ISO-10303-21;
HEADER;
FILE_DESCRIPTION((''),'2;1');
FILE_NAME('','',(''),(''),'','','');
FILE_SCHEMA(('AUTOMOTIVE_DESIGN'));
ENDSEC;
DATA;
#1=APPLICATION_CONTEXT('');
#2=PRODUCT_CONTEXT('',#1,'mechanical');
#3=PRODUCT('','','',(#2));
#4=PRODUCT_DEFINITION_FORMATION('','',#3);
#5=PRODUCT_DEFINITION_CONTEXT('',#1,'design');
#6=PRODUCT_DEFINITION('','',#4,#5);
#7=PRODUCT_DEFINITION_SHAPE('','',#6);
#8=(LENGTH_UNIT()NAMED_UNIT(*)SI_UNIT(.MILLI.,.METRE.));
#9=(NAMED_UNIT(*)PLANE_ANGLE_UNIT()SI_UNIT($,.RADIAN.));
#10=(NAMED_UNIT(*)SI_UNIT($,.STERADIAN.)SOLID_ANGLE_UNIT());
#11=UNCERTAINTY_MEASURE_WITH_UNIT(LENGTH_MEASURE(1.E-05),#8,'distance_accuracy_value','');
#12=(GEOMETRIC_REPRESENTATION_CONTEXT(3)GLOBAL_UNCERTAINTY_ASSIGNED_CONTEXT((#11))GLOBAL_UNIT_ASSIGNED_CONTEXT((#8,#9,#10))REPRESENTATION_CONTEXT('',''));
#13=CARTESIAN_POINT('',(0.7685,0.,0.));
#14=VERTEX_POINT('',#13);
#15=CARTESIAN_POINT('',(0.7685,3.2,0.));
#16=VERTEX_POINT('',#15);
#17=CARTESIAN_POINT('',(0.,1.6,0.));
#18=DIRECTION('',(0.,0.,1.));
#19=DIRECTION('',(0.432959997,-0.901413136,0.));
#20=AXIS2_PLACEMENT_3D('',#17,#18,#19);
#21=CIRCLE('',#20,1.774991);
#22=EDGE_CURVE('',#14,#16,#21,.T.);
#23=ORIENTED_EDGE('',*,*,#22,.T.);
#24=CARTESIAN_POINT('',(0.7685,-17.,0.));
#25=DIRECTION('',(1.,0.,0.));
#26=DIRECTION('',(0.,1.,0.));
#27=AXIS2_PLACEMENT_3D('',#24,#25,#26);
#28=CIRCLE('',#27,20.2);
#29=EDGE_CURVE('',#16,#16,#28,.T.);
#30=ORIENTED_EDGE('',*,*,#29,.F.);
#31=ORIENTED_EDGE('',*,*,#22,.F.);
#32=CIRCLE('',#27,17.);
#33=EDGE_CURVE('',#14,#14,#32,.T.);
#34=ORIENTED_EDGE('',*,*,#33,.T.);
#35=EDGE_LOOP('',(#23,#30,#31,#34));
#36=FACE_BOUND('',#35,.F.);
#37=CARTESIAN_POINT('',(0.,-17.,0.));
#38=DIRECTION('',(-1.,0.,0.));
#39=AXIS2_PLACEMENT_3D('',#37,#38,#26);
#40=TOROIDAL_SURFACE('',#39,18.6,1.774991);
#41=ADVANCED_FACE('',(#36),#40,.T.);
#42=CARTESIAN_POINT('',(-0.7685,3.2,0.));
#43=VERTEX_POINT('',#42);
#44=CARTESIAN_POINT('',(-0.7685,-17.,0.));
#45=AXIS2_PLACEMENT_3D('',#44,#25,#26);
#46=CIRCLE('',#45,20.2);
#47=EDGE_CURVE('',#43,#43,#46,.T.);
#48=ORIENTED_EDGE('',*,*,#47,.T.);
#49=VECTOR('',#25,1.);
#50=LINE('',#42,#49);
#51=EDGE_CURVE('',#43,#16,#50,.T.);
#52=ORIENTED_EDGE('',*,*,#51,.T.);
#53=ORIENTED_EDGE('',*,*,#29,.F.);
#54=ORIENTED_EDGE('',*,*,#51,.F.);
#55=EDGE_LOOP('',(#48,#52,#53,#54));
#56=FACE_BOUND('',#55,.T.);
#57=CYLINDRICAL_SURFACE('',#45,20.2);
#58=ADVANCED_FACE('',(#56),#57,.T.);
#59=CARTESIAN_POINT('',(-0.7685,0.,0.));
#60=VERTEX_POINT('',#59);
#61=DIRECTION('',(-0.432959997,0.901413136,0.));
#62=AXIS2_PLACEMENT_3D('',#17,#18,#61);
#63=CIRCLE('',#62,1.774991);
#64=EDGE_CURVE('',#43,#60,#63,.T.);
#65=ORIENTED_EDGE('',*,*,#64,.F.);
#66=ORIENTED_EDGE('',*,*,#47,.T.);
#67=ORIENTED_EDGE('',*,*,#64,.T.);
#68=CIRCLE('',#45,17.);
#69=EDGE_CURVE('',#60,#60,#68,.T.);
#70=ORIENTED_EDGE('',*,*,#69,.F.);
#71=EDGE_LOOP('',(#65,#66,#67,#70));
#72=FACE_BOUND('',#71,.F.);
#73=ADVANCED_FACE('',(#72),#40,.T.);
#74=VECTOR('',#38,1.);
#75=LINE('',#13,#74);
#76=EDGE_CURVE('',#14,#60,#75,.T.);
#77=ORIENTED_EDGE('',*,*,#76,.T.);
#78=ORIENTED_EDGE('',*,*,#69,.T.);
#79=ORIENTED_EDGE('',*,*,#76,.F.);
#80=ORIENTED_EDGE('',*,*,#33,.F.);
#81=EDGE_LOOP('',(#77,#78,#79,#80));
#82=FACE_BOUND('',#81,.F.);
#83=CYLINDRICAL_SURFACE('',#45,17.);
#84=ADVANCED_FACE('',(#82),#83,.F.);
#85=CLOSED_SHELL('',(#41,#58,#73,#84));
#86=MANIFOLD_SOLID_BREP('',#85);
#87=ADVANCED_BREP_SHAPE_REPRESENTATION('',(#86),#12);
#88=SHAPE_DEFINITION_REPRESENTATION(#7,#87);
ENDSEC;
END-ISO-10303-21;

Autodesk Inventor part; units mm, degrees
ref_plane "YZ Plane" through (0, 0, 0) normal (1, 0, 0) x (0, 1, 0)
ref_plane "XZ Plane" through (0, 0, 0) normal (0, 1, 0) x (-1, 0, 0)
ref_plane "XY Plane" through (0, 0, 0) normal (0, 0, 1) x (1, 0, 0)
sketch "Sketch1" plane through (0, 0, 0) normal (0, 0, 1) x (1, 0, 0)
  line L0 (-0.0113, 0) -> (-0.0113, 0) construction
  line L1 (-0.7685, 3.2) -> (0.7685, 3.2)
  line L2 (-0.7685, 0) -> (0.7685, 0)
  arc A0 (-0.7685, 3.2) -> (-0.7685, 0) centre (0, 1.6) ccw
  line L3 (-4, -17) -> (6.0335, -17)
  line L4 (-6.0067, 0) -> (8.0403, 0) projected
  line L5 (0, 4.64) -> (0, -12.44) projected
  arc A1 (0.7685, 0) -> (0.7685, 3.2) centre (0, 1.6) ccw
  dimension "d0" = 34
  dimension "d1" = 1.6
  dimension "d2" = 1.775
  dimension "d3" = 1.6
  dimension "d4" = 3.2
revolve "Body" add sketch "Sketch1" angle 360 about axis through (-4, -17, 0) along (1, 0, 0)
equation "\"d0\" = NND"
equation "\"d1\" = -0.25 * NND + 0.25 * NDOR"
equation "\"d2\" = 0.5 * QDM"
equation "\"d3\" = -0.25 * NND + 0.25 * NDOR"
equation "\"d4\" = -0.5 * NND + 0.5 * NDOR"
equation "\"QDM\" = 3.55"
equation "\"NND\" = 34"
equation "\"NDOR\" = 40.4"
equation "\"R1\" = 0.6"
equation "\"R2\" = 0.2"
equation "\"SD1\" = 34.5"
equation "\"NB1\" = 4.6"
equation "\"BD\" = 34.15"
equation "\"NTOR\" = -0.5 * NND + 0.5 * NDOR"
properties part number "ISO 3601-1 - C 0345 G" material "Rubber"
